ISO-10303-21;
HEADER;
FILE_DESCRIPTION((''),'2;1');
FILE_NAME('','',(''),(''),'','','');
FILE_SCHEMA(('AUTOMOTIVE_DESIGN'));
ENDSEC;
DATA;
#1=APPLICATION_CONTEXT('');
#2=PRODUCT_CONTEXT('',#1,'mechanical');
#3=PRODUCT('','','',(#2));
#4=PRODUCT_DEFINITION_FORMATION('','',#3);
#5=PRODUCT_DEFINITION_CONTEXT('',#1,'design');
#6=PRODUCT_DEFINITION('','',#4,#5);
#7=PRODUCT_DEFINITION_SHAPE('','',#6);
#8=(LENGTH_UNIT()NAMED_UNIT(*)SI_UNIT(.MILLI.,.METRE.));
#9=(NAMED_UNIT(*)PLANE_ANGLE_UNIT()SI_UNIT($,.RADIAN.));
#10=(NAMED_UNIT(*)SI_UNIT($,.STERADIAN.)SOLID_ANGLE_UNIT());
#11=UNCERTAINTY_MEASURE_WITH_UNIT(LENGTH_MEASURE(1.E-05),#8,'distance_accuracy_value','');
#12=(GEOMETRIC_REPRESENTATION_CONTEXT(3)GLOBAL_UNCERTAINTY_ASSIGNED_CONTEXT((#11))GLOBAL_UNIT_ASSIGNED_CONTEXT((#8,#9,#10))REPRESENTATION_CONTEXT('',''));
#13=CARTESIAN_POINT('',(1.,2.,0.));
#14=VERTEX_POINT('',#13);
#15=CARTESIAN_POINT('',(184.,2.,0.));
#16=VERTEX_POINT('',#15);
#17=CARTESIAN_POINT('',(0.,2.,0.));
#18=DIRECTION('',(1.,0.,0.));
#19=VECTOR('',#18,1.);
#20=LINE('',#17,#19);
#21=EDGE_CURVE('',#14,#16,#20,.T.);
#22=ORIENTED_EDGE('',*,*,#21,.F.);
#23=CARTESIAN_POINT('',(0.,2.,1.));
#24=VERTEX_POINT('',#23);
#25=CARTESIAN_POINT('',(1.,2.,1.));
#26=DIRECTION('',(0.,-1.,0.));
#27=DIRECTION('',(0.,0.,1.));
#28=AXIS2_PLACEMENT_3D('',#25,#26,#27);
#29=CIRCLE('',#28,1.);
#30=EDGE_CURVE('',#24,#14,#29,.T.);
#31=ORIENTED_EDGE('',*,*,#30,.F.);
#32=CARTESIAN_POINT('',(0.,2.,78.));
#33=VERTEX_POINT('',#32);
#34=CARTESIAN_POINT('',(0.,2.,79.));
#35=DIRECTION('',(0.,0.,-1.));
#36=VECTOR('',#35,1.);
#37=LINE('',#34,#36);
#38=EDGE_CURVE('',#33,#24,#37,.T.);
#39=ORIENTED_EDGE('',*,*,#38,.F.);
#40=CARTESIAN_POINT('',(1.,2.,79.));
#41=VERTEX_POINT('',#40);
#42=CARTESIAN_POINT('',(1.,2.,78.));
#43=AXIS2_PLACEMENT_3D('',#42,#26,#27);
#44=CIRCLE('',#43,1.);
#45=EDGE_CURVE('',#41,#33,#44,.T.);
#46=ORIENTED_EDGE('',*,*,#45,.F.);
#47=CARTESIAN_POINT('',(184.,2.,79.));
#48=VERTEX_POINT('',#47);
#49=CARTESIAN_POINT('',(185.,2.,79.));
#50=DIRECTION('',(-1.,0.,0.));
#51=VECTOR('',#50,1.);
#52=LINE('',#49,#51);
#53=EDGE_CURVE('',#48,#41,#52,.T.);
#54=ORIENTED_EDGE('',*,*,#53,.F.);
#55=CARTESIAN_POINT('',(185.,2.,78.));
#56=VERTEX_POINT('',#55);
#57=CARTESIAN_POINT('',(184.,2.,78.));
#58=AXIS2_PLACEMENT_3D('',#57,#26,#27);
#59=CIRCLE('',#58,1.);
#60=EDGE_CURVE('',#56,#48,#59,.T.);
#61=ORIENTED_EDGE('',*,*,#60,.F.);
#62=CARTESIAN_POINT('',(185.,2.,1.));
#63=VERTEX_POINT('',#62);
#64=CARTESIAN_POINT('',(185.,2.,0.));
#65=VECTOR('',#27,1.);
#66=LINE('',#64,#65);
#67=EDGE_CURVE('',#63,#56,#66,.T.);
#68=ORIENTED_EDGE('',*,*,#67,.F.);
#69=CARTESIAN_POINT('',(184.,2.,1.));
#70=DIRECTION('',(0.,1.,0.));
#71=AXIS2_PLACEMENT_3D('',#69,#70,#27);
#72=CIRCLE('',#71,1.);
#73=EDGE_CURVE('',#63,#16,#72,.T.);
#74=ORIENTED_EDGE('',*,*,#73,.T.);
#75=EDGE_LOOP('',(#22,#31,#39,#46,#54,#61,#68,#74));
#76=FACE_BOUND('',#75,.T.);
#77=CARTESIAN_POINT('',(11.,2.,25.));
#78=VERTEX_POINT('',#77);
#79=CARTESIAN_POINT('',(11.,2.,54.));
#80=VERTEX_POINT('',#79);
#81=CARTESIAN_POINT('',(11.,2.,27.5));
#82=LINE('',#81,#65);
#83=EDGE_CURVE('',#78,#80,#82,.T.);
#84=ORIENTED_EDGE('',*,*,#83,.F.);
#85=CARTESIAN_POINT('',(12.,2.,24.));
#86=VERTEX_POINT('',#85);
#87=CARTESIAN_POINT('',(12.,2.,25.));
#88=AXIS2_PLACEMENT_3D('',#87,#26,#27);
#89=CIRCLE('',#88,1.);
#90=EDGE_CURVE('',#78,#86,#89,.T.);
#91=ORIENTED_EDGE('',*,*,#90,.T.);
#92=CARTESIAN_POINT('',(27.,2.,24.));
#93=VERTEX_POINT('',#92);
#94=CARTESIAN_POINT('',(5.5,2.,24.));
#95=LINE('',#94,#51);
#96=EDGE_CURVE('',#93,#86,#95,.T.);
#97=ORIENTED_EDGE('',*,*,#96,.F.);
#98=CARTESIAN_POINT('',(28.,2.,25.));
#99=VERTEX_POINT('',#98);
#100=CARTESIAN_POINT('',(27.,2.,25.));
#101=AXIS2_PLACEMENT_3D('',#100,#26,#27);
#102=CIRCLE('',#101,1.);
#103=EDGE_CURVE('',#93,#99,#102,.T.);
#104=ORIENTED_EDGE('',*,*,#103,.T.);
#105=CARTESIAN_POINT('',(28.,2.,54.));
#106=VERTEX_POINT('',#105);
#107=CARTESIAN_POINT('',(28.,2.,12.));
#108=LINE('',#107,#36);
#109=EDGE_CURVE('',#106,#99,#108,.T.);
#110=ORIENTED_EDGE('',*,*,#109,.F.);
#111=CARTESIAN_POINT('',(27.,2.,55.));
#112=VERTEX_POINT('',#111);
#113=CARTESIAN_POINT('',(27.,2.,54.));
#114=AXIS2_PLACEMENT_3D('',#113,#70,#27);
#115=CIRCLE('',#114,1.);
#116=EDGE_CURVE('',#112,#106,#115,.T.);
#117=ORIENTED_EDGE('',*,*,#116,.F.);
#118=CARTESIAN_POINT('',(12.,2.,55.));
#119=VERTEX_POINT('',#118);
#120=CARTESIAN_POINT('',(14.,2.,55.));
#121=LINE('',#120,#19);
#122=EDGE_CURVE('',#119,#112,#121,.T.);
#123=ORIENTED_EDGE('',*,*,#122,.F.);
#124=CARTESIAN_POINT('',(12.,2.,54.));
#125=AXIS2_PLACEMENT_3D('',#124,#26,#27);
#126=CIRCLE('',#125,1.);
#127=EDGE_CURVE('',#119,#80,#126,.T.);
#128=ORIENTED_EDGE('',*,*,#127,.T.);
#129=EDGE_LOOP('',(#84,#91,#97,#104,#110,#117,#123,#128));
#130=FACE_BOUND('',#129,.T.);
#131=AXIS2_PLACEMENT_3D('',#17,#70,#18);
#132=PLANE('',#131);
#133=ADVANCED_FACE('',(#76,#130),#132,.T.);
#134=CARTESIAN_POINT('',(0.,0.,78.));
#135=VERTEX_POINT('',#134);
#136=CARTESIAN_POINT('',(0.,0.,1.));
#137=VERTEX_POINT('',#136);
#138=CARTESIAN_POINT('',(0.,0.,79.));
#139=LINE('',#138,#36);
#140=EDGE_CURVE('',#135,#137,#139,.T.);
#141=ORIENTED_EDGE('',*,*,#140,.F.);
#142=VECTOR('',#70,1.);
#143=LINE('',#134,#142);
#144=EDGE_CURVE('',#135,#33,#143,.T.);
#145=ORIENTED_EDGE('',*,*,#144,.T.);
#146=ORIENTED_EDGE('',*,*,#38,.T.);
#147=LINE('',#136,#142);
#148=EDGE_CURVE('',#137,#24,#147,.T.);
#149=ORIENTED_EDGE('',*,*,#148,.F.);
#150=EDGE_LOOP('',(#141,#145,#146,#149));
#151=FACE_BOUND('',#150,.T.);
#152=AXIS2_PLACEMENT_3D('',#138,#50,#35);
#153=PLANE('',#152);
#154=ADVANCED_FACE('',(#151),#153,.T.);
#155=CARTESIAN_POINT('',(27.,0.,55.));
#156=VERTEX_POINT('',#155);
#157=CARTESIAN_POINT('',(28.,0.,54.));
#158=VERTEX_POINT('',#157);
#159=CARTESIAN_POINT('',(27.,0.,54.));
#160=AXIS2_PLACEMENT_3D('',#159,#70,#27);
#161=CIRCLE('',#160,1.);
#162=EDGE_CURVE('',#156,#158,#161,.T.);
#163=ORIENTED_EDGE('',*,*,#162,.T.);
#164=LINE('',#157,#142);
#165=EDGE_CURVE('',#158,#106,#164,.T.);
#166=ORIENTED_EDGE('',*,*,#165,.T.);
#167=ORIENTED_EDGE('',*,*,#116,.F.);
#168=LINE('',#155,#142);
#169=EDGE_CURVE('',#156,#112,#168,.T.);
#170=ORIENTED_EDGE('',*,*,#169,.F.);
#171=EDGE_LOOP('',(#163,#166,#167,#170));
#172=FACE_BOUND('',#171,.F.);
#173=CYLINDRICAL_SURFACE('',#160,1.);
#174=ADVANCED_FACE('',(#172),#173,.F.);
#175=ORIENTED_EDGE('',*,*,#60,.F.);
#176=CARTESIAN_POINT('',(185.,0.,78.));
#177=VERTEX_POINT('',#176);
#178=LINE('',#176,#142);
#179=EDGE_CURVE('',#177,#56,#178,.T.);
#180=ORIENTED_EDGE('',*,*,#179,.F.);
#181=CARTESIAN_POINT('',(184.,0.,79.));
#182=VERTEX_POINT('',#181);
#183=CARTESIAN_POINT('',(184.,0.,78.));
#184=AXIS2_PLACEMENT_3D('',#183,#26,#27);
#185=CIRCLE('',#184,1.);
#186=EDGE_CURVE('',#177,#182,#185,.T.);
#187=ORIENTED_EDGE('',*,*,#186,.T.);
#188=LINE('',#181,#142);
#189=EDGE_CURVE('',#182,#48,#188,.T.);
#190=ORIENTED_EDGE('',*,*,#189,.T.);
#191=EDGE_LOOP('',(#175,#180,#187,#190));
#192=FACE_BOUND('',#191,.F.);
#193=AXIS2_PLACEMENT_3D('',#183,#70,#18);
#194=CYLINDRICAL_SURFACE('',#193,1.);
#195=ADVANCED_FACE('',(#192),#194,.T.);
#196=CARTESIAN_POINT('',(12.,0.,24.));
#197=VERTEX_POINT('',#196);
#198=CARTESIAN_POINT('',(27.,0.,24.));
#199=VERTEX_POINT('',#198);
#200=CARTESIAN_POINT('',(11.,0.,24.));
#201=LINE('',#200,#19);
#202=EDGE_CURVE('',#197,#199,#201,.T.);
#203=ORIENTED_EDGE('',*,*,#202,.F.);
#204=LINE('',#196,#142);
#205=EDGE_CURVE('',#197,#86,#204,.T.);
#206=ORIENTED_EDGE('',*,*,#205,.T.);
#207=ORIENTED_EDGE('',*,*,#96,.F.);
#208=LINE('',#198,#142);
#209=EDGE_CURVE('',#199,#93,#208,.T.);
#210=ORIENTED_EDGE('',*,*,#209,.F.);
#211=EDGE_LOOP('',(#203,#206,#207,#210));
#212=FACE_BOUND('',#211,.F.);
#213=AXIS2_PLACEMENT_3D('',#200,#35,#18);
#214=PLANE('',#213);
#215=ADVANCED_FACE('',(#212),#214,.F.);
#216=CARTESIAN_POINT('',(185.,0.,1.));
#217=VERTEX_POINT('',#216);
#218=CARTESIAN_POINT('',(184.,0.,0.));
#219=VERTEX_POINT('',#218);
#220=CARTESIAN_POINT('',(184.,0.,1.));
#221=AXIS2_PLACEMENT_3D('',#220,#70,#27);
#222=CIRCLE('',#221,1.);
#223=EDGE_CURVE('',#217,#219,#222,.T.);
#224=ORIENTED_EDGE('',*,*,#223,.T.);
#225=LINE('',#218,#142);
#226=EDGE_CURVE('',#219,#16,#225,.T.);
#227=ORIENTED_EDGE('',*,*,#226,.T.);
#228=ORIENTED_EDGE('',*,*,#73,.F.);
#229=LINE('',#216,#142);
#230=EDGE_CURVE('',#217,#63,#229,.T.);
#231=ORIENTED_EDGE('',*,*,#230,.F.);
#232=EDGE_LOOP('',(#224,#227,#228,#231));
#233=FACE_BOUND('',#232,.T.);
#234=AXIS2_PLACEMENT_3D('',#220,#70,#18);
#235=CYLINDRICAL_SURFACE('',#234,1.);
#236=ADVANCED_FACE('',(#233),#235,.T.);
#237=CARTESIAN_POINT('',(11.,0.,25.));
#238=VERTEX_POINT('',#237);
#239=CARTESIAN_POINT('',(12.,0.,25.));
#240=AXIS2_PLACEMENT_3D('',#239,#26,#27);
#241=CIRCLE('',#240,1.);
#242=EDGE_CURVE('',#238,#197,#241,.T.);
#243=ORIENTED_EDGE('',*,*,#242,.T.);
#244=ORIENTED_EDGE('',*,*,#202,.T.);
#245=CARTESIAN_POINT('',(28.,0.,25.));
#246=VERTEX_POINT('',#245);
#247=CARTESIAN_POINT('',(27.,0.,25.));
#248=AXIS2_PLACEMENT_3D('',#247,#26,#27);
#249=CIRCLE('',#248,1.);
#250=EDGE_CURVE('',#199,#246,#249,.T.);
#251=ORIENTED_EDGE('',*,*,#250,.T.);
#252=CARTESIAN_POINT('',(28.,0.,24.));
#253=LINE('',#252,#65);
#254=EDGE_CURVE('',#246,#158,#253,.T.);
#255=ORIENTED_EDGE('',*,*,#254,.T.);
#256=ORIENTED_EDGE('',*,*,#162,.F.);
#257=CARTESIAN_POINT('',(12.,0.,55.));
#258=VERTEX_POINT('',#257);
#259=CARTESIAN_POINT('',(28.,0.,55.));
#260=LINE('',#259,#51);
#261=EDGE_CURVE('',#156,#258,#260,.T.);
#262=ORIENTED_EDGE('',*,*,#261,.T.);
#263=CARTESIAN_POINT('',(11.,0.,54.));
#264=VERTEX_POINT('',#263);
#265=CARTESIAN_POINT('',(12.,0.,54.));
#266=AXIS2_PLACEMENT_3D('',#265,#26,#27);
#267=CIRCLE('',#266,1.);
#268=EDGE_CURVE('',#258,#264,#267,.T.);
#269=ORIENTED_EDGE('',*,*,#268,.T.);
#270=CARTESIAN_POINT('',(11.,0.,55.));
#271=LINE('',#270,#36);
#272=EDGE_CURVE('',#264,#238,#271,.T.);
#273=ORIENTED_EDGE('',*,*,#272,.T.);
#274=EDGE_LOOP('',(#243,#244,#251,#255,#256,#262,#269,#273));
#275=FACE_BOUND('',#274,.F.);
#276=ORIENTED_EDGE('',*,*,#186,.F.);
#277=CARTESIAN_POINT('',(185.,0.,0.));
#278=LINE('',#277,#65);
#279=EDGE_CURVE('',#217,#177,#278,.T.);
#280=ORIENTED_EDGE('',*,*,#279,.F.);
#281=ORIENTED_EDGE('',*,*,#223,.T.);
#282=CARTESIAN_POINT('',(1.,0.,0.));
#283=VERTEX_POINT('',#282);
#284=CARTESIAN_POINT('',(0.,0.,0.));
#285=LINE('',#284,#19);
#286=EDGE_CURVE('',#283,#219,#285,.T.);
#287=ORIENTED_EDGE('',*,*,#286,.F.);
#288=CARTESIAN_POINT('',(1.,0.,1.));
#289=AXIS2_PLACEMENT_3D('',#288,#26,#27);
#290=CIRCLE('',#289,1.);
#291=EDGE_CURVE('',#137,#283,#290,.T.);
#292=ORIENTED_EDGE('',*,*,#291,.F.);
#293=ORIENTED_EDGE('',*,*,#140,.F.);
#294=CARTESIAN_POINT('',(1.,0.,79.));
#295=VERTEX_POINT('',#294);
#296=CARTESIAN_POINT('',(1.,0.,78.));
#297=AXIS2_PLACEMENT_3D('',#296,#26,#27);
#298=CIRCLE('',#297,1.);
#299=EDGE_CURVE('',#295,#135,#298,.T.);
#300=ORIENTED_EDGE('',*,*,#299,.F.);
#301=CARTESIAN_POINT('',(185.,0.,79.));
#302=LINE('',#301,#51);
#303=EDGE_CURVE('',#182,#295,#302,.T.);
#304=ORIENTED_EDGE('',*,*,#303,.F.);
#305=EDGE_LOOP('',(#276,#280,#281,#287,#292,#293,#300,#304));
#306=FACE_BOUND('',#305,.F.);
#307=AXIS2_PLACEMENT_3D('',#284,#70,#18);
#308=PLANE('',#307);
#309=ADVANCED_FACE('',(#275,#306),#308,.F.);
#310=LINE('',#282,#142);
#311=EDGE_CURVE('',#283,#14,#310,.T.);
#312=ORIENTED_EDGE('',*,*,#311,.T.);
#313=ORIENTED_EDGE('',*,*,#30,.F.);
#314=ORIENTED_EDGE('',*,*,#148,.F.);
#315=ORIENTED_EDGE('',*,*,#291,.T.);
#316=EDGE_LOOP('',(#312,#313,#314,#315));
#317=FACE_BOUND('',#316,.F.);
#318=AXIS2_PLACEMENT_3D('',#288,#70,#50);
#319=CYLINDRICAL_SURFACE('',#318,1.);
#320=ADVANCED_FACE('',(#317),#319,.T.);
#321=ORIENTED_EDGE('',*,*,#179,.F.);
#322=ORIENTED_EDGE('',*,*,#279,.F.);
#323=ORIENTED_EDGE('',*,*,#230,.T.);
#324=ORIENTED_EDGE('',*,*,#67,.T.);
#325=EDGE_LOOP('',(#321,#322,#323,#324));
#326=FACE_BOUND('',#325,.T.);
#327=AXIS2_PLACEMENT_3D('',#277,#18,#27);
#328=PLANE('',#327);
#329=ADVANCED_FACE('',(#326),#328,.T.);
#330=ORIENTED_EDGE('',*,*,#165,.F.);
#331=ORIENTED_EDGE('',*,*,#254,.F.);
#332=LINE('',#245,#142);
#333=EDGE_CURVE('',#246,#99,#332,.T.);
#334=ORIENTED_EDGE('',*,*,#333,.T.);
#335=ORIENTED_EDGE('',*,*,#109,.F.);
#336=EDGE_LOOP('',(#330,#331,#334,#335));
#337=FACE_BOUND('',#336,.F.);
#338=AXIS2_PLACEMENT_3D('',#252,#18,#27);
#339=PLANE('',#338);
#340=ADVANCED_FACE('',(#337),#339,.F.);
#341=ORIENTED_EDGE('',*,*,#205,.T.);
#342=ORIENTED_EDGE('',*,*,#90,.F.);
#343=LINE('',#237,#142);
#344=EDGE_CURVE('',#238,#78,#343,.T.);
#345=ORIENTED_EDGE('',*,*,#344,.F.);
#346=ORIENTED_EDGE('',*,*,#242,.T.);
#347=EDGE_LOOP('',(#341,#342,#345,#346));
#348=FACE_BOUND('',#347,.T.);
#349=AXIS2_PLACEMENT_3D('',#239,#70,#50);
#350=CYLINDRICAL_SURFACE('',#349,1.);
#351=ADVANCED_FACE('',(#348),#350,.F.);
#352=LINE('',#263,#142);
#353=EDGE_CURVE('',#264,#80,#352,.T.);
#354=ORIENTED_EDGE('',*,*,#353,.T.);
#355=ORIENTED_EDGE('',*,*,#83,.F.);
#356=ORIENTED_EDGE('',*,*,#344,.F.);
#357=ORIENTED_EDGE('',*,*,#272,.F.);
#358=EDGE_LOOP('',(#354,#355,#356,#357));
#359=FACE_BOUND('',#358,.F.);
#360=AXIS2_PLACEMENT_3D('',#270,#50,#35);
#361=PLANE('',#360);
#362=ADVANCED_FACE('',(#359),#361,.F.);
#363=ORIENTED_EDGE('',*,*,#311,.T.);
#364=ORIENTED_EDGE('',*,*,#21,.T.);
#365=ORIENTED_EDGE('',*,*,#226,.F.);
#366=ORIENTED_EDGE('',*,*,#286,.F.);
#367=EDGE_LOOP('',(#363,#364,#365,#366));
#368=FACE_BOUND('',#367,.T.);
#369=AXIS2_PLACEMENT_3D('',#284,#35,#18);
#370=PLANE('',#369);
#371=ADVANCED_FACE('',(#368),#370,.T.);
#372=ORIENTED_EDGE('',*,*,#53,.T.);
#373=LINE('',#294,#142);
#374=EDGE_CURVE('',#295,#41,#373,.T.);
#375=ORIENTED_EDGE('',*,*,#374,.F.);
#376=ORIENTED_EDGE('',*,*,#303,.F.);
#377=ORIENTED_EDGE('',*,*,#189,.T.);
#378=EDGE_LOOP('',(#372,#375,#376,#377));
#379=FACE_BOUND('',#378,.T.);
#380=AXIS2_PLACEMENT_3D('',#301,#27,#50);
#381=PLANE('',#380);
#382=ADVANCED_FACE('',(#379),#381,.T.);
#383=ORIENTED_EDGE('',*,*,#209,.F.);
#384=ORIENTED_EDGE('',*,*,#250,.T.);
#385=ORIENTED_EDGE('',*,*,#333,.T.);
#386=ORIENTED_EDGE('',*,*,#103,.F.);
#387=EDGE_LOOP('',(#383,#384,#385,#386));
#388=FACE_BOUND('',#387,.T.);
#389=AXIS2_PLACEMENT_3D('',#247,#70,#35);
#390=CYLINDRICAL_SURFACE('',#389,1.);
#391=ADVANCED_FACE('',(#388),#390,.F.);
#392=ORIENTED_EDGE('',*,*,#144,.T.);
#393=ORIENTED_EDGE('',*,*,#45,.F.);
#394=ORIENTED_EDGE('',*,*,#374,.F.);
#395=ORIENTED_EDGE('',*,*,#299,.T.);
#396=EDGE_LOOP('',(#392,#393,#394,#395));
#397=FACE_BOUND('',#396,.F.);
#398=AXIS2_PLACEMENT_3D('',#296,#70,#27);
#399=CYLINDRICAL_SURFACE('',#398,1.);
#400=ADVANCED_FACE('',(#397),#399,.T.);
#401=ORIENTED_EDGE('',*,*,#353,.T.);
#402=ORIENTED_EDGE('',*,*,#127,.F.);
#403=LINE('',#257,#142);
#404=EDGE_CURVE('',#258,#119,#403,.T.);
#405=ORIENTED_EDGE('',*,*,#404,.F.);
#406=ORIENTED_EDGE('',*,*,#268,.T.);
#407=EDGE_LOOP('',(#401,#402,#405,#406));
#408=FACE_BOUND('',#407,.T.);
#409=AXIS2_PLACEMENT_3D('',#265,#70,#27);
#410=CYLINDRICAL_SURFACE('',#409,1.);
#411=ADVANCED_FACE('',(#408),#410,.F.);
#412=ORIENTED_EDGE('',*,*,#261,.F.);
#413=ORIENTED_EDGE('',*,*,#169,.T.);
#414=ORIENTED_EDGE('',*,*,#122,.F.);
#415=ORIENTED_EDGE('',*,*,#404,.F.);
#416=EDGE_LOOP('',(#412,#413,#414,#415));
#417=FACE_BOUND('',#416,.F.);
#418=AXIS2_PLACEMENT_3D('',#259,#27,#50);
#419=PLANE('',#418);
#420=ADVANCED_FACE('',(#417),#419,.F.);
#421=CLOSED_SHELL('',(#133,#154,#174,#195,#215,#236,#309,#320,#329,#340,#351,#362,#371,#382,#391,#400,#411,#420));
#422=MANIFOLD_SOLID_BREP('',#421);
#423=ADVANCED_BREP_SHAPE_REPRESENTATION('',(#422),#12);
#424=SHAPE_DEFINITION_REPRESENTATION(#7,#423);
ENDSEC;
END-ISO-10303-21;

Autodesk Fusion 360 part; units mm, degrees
sketch "Sketch1" plane through (0, 0, 0) normal (0, 1, 0) x (1, 0, 0)
  line L0 (0, 0) -> (185, 0)
  line L1 (185, 0) -> (185, -79)
  line L2 (185, -79) -> (0, -79)
  line L3 (0, -79) -> (0, 0)
extrude "Extrude1" add sketch "Sketch1" along normal blind 2
sketch "Sketch2" plane through (0, 0, 0) normal (0, 1, 0) x (1, 0, 0)
  line L0 (11, -24) -> (28, -24)
  line L1 (28, -24) -> (28, -55)
  line L2 (28, -55) -> (11, -55)
  line L3 (11, -55) -> (11, -24)
extrude "Extrude2" cut sketch "Sketch2" along normal blind 5
fillet "Fillet1" radius 1 1 edges at (185, 1, 79)
fillet "Fillet2" radius 1 1 edges at (185, 1, 0)
fillet "Fillet3" radius 1 1 edges at (0, 1, 79)
fillet "Fillet4" radius 1 1 edges at (0, 1, 0)
fillet "Fillet5" radius 1 1 edges at (28, 1, 55)
fillet "Fillet6" radius 1 1 edges at (11, 1, 55)
fillet "Fillet7" radius 1 1 edges at (11, 1, 24)
fillet "Fillet8" radius 1 1 edges at (28, 1, 24)
